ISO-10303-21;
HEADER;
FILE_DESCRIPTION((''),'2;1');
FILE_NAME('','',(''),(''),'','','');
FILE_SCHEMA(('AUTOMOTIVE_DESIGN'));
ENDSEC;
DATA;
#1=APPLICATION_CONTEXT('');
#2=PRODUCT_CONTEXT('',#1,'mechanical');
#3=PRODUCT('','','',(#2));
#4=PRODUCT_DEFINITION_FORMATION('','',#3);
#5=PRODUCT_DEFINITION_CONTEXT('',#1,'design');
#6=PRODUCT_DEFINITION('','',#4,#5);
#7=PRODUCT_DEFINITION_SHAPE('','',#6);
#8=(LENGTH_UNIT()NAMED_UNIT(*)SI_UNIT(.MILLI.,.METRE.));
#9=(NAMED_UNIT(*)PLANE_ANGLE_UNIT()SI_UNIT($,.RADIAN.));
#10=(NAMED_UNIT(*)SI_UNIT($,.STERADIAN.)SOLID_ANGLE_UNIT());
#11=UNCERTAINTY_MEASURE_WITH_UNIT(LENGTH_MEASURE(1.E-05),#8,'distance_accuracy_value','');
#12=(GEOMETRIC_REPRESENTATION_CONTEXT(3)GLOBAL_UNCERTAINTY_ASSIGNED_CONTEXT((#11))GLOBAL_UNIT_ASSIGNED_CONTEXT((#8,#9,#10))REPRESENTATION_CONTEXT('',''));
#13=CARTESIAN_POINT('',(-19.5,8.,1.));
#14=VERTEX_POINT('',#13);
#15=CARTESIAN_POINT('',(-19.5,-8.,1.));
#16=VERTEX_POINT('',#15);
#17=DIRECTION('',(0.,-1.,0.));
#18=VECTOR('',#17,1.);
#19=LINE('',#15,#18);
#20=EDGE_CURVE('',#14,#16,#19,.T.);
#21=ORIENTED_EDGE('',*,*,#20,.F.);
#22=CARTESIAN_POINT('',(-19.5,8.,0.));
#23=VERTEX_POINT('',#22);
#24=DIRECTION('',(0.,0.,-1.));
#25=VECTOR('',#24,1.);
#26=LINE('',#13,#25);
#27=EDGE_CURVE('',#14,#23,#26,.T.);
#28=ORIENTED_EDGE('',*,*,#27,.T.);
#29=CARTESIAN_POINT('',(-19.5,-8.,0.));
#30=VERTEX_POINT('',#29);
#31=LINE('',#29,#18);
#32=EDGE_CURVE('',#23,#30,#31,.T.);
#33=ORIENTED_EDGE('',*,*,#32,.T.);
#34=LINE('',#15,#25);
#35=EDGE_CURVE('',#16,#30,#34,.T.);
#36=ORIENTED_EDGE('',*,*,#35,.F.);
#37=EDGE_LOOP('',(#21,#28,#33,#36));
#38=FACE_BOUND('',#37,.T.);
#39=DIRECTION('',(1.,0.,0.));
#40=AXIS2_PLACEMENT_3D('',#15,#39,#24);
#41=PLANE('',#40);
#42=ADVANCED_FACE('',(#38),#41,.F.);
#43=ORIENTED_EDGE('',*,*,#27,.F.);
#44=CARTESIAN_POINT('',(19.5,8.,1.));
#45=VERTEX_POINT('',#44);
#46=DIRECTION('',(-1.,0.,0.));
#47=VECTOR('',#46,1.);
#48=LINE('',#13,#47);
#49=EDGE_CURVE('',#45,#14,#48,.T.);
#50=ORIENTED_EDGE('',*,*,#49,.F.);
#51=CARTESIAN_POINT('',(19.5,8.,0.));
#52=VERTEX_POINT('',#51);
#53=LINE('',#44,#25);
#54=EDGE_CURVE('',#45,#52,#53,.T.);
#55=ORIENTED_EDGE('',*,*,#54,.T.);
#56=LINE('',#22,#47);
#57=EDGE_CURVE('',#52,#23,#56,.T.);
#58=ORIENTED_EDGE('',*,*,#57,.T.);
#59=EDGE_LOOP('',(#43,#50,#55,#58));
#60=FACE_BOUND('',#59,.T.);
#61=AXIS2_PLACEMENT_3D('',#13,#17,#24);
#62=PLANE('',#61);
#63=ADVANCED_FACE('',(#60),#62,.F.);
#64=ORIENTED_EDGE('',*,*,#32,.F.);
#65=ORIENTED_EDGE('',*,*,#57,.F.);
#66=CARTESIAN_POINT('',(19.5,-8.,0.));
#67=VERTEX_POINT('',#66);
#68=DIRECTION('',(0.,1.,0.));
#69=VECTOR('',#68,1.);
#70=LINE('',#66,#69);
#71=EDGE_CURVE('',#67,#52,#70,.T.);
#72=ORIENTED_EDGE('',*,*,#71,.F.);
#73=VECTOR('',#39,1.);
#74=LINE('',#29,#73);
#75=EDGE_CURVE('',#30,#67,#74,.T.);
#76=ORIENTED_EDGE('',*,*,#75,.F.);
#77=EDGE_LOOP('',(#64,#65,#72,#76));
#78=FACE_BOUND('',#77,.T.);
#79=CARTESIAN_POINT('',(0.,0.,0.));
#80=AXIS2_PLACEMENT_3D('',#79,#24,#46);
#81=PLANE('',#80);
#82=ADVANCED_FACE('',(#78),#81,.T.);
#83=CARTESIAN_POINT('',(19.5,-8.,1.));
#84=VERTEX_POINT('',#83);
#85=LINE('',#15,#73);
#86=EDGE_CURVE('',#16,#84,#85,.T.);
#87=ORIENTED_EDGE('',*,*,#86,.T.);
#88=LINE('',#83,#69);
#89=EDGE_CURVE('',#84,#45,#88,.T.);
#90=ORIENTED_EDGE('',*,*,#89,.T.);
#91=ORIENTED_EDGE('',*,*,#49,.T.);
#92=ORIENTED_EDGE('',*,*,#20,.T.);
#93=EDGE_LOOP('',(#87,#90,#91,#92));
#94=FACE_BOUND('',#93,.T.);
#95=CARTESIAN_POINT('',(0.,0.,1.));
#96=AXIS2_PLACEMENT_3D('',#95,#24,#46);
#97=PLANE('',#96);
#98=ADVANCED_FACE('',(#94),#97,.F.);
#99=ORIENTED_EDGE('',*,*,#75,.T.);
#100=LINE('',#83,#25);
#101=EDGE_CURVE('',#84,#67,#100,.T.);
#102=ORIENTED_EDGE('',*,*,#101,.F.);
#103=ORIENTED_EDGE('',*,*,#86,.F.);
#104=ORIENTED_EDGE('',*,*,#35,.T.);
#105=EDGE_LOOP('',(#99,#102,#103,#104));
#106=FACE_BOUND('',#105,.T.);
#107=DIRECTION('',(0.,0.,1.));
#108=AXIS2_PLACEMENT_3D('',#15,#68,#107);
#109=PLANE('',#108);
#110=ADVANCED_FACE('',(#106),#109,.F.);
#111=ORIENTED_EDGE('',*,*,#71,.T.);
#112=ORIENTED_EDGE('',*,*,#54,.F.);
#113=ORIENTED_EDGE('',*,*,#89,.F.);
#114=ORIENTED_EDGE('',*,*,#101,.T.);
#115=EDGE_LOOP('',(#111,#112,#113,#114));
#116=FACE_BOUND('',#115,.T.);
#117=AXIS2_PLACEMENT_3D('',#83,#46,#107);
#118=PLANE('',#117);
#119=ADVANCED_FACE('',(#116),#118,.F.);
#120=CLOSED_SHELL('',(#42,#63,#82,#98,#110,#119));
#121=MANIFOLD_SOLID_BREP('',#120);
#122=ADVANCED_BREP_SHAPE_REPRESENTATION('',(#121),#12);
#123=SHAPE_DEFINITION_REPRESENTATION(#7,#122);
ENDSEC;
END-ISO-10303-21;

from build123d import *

# Parameters (mm, degrees)
SCHIZZO1_W                   = 39
SCHIZZO1_H                   = 16
ESTRUSIONE_ESTRUSIONE1_DEPTH = 1


with BuildPart() as part:
    # Schizzo1 → Estrusione-Estrusione1 (new body)
    with BuildSketch(Plane.XY):
        Rectangle(SCHIZZO1_W, SCHIZZO1_H)
    extrude(amount=ESTRUSIONE_ESTRUSIONE1_DEPTH)


solid = part.part
